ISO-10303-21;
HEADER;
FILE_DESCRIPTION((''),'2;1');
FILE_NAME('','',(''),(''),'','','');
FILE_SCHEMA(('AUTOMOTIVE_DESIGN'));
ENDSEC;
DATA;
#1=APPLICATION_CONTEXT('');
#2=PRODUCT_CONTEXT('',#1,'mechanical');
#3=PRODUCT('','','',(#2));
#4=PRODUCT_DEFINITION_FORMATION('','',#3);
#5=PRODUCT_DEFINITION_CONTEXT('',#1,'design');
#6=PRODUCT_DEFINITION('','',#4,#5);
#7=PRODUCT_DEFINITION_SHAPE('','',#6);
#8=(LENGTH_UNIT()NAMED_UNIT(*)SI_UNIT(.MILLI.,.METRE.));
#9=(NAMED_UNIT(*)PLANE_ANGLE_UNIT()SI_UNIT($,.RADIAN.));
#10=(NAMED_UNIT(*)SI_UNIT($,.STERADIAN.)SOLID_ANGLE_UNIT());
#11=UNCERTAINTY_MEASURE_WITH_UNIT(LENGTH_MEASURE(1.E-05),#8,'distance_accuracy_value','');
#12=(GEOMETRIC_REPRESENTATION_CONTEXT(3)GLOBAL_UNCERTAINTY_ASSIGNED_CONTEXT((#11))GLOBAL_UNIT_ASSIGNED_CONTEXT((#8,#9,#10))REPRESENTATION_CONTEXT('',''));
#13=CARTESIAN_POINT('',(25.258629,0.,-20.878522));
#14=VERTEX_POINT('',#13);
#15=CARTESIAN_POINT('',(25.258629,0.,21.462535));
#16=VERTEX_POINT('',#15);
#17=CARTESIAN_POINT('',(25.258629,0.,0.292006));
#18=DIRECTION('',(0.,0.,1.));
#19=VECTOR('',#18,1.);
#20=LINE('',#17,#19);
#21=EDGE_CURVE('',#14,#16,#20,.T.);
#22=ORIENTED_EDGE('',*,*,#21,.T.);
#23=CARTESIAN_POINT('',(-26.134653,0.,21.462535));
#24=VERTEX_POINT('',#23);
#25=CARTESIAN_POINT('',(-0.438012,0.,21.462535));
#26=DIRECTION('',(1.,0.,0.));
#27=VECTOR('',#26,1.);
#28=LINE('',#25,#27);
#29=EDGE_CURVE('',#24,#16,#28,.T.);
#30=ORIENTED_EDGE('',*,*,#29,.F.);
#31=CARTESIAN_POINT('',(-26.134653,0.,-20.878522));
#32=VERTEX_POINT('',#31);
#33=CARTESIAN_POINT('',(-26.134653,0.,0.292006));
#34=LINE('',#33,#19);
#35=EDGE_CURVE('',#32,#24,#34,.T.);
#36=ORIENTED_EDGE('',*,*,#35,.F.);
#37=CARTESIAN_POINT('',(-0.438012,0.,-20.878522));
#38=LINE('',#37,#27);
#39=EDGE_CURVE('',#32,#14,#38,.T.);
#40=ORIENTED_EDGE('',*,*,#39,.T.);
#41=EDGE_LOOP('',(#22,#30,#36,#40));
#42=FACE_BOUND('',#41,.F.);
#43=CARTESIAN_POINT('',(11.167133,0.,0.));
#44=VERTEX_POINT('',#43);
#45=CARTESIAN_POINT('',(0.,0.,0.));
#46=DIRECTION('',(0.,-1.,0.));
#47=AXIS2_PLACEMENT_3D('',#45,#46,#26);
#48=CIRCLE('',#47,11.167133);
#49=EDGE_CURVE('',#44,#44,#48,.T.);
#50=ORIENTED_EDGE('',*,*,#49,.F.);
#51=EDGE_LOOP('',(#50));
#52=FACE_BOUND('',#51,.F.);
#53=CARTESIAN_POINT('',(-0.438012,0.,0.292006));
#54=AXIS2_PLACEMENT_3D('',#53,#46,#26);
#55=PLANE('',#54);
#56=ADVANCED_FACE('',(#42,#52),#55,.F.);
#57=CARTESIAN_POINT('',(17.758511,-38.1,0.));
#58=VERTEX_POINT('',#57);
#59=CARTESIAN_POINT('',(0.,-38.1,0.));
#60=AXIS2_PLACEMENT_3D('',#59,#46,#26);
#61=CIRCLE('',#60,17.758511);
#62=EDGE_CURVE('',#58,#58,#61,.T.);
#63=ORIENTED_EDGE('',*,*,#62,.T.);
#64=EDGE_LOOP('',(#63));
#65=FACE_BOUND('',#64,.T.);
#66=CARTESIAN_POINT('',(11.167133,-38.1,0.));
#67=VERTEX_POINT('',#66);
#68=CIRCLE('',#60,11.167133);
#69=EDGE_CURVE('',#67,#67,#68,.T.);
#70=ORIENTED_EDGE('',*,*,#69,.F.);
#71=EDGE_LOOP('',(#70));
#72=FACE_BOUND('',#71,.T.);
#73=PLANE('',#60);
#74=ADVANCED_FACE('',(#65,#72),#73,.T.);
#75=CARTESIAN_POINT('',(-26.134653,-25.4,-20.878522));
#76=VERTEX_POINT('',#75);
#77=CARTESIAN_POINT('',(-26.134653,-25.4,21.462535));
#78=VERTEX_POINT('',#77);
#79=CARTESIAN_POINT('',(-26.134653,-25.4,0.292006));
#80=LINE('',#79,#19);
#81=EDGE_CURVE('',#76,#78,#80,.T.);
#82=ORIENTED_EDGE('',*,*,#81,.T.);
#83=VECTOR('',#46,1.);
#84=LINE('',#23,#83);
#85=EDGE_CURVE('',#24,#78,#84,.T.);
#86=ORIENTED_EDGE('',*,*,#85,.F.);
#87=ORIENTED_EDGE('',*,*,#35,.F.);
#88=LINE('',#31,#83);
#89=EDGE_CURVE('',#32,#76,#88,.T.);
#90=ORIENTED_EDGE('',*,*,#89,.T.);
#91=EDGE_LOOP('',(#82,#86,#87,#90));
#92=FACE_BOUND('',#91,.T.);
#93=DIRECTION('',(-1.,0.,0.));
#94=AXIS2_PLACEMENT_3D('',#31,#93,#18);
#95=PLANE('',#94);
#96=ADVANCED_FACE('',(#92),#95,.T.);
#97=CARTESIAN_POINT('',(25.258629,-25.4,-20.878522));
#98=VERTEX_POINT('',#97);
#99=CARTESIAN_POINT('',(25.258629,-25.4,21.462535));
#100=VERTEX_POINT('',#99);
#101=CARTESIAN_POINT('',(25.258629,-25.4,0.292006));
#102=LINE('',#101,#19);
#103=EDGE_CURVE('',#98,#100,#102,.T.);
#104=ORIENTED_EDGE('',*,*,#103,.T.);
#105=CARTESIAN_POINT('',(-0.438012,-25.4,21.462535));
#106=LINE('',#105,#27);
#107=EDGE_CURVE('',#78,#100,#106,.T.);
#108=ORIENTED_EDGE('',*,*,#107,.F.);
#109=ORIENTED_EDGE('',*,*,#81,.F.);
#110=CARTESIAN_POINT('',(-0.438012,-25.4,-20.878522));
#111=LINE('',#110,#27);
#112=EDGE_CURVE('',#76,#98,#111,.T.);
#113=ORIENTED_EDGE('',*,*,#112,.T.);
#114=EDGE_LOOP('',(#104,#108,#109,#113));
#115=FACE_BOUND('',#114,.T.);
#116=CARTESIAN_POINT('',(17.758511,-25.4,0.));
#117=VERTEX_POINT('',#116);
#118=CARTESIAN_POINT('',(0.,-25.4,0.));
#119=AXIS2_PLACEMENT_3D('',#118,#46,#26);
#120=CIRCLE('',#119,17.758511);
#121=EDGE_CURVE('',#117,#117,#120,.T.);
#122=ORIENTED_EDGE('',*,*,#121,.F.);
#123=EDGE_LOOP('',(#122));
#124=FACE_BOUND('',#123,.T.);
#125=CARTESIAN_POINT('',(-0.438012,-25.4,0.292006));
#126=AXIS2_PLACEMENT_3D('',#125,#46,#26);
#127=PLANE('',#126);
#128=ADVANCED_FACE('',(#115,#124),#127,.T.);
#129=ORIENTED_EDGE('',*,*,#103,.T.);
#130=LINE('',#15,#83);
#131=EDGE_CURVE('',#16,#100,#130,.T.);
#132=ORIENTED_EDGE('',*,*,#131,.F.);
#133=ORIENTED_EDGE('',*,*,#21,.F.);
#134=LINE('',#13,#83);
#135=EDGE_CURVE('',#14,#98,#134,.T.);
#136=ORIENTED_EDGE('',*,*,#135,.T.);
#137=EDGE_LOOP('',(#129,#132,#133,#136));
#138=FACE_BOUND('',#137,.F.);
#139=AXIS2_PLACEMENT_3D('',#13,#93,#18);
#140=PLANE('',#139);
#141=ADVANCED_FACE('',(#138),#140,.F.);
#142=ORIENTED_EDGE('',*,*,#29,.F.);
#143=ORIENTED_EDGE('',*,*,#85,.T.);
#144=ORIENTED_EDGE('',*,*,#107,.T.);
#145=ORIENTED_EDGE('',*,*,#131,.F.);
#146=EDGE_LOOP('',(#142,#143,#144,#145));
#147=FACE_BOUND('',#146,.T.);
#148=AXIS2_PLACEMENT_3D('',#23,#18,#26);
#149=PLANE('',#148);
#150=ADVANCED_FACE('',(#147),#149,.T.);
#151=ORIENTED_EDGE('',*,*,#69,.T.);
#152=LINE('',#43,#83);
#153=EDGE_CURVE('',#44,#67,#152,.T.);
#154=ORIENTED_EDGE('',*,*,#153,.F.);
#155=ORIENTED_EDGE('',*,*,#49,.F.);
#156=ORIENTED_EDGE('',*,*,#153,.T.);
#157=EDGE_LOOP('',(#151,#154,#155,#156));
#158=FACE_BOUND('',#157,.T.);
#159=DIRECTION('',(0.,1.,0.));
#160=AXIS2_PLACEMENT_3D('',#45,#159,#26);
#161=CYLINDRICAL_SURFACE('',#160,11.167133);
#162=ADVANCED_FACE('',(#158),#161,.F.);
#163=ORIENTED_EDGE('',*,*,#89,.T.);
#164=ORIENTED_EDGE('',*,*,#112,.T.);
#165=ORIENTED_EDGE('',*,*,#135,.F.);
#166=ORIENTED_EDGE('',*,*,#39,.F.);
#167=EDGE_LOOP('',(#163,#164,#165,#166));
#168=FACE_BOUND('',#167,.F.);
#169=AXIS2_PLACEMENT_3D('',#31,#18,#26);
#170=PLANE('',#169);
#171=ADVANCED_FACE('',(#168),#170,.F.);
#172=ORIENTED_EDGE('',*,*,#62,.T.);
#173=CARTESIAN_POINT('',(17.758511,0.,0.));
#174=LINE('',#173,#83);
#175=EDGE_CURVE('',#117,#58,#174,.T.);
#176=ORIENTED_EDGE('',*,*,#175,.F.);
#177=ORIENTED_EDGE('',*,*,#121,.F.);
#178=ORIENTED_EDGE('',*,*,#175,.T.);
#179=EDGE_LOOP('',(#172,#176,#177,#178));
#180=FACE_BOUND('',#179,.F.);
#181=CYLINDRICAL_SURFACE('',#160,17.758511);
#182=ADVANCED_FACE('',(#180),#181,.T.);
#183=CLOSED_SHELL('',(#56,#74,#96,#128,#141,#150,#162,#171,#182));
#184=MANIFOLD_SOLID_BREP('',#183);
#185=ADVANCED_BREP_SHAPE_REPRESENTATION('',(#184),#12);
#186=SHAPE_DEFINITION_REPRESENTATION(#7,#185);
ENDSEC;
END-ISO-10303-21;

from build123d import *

# Parameters (mm, degrees)
F0_R     = 17.758511
F0_R_2   = 11.167133
F1_DEPTH = 38.1
F0_W     = 51.393282
F0_H     = 42.341057
F2_DEPTH = 25.4


with BuildPart() as f1:
    # F0 (on Front) → F1 (new body)
    with BuildSketch(Plane.XZ):
        Circle(F0_R)
        Circle(F0_R_2, mode=Mode.SUBTRACT)
    extrude(amount=F1_DEPTH)

    # F0 (on Front) → F2 (join)
    with BuildSketch(Plane.XZ):
        with Locations((-0.438012, 0.292006)):
            Rectangle(F0_W, F0_H)
        Circle(F0_R, mode=Mode.SUBTRACT)
    extrude(amount=F2_DEPTH)


solid = f1.part
